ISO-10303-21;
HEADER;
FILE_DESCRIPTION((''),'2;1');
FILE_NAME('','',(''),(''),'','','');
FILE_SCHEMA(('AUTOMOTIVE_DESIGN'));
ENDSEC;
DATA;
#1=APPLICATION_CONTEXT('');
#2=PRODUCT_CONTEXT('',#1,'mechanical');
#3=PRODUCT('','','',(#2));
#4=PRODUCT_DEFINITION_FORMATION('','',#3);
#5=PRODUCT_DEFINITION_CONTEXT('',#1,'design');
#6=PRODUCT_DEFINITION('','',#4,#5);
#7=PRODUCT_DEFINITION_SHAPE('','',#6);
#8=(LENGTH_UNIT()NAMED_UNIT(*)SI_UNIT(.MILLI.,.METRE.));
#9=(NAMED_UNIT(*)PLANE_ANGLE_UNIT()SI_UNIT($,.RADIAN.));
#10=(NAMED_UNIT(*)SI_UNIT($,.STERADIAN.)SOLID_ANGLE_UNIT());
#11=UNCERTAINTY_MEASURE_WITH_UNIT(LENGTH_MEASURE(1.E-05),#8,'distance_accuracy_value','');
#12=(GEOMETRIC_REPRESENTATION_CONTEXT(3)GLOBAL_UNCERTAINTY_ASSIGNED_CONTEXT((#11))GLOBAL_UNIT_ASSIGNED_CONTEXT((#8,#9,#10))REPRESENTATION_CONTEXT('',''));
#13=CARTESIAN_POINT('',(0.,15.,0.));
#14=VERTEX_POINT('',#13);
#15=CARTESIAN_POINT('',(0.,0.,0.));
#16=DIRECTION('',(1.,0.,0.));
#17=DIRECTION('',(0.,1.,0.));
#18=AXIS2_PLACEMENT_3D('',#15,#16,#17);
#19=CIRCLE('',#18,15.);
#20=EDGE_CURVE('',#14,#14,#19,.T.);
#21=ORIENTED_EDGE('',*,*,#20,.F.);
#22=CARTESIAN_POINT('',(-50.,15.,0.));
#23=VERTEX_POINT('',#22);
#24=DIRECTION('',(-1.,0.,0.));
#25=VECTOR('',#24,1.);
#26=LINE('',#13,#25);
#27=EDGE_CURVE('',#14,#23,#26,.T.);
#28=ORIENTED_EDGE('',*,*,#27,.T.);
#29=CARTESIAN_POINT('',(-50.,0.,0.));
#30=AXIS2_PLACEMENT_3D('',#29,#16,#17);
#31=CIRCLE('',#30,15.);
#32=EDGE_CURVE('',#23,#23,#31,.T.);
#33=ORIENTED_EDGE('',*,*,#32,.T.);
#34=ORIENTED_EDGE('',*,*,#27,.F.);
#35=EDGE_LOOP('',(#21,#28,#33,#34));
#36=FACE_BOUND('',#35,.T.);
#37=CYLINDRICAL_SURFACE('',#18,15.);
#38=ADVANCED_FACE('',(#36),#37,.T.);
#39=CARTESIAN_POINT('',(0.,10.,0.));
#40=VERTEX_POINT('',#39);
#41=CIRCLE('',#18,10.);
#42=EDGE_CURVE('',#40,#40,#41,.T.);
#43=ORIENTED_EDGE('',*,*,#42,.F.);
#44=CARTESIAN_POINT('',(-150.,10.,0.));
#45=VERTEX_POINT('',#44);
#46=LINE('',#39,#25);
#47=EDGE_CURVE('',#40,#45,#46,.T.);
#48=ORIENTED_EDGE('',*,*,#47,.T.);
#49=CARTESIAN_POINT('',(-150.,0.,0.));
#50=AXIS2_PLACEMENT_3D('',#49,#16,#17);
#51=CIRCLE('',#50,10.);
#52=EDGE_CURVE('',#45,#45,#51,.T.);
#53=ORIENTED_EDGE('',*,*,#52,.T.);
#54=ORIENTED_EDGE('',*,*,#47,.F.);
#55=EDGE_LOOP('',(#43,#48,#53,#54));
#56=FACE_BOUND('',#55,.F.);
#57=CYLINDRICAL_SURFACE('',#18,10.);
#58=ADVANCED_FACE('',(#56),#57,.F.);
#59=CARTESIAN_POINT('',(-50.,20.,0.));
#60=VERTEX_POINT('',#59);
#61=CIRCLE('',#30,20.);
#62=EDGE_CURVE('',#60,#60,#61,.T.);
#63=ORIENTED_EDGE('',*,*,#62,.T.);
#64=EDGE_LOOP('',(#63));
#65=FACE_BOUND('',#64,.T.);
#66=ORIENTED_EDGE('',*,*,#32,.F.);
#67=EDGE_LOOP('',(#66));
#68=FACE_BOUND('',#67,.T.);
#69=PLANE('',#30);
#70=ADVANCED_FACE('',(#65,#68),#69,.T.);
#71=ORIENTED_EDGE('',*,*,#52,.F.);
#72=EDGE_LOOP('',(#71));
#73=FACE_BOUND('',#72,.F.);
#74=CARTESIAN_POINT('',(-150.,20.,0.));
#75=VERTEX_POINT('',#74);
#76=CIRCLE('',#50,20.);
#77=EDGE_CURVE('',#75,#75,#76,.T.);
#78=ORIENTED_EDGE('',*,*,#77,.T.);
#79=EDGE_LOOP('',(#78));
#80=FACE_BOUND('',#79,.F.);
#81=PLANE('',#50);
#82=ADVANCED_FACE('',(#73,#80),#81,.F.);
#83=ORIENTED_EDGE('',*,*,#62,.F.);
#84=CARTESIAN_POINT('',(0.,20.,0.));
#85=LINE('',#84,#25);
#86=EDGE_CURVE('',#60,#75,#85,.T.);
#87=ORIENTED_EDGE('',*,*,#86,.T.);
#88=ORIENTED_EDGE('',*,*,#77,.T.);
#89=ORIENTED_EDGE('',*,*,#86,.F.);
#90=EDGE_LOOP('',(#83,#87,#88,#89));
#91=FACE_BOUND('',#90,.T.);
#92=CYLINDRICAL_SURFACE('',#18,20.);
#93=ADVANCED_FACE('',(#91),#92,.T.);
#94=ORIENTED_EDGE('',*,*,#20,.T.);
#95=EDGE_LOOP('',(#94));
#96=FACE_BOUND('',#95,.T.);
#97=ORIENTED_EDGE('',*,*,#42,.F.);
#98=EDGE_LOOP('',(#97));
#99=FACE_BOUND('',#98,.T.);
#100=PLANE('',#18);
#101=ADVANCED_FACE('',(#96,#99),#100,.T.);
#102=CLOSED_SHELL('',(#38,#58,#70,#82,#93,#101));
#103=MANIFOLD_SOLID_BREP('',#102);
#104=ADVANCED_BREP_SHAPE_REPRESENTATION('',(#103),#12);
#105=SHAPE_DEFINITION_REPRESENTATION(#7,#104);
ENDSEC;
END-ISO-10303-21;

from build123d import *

# Parameters (mm, degrees)
F0_R     = 20
F0_R_2   = 10
F1_DEPTH = 150
F2_R     = 20
F2_R_2   = 15
F3_DEPTH = 50


with BuildPart() as f1:
    # F0 (on Right) → F1 (new body)
    with BuildSketch(Plane.YZ):
        Circle(F0_R)
        Circle(F0_R_2, mode=Mode.SUBTRACT)
    extrude(amount=-F1_DEPTH)

    # F2 (on face) → F3 (cut)
    with BuildSketch(Plane.YZ):
        Circle(F2_R)
        Circle(F2_R_2, mode=Mode.SUBTRACT)
    extrude(amount=-F3_DEPTH, mode=Mode.SUBTRACT)


solid = f1.part
